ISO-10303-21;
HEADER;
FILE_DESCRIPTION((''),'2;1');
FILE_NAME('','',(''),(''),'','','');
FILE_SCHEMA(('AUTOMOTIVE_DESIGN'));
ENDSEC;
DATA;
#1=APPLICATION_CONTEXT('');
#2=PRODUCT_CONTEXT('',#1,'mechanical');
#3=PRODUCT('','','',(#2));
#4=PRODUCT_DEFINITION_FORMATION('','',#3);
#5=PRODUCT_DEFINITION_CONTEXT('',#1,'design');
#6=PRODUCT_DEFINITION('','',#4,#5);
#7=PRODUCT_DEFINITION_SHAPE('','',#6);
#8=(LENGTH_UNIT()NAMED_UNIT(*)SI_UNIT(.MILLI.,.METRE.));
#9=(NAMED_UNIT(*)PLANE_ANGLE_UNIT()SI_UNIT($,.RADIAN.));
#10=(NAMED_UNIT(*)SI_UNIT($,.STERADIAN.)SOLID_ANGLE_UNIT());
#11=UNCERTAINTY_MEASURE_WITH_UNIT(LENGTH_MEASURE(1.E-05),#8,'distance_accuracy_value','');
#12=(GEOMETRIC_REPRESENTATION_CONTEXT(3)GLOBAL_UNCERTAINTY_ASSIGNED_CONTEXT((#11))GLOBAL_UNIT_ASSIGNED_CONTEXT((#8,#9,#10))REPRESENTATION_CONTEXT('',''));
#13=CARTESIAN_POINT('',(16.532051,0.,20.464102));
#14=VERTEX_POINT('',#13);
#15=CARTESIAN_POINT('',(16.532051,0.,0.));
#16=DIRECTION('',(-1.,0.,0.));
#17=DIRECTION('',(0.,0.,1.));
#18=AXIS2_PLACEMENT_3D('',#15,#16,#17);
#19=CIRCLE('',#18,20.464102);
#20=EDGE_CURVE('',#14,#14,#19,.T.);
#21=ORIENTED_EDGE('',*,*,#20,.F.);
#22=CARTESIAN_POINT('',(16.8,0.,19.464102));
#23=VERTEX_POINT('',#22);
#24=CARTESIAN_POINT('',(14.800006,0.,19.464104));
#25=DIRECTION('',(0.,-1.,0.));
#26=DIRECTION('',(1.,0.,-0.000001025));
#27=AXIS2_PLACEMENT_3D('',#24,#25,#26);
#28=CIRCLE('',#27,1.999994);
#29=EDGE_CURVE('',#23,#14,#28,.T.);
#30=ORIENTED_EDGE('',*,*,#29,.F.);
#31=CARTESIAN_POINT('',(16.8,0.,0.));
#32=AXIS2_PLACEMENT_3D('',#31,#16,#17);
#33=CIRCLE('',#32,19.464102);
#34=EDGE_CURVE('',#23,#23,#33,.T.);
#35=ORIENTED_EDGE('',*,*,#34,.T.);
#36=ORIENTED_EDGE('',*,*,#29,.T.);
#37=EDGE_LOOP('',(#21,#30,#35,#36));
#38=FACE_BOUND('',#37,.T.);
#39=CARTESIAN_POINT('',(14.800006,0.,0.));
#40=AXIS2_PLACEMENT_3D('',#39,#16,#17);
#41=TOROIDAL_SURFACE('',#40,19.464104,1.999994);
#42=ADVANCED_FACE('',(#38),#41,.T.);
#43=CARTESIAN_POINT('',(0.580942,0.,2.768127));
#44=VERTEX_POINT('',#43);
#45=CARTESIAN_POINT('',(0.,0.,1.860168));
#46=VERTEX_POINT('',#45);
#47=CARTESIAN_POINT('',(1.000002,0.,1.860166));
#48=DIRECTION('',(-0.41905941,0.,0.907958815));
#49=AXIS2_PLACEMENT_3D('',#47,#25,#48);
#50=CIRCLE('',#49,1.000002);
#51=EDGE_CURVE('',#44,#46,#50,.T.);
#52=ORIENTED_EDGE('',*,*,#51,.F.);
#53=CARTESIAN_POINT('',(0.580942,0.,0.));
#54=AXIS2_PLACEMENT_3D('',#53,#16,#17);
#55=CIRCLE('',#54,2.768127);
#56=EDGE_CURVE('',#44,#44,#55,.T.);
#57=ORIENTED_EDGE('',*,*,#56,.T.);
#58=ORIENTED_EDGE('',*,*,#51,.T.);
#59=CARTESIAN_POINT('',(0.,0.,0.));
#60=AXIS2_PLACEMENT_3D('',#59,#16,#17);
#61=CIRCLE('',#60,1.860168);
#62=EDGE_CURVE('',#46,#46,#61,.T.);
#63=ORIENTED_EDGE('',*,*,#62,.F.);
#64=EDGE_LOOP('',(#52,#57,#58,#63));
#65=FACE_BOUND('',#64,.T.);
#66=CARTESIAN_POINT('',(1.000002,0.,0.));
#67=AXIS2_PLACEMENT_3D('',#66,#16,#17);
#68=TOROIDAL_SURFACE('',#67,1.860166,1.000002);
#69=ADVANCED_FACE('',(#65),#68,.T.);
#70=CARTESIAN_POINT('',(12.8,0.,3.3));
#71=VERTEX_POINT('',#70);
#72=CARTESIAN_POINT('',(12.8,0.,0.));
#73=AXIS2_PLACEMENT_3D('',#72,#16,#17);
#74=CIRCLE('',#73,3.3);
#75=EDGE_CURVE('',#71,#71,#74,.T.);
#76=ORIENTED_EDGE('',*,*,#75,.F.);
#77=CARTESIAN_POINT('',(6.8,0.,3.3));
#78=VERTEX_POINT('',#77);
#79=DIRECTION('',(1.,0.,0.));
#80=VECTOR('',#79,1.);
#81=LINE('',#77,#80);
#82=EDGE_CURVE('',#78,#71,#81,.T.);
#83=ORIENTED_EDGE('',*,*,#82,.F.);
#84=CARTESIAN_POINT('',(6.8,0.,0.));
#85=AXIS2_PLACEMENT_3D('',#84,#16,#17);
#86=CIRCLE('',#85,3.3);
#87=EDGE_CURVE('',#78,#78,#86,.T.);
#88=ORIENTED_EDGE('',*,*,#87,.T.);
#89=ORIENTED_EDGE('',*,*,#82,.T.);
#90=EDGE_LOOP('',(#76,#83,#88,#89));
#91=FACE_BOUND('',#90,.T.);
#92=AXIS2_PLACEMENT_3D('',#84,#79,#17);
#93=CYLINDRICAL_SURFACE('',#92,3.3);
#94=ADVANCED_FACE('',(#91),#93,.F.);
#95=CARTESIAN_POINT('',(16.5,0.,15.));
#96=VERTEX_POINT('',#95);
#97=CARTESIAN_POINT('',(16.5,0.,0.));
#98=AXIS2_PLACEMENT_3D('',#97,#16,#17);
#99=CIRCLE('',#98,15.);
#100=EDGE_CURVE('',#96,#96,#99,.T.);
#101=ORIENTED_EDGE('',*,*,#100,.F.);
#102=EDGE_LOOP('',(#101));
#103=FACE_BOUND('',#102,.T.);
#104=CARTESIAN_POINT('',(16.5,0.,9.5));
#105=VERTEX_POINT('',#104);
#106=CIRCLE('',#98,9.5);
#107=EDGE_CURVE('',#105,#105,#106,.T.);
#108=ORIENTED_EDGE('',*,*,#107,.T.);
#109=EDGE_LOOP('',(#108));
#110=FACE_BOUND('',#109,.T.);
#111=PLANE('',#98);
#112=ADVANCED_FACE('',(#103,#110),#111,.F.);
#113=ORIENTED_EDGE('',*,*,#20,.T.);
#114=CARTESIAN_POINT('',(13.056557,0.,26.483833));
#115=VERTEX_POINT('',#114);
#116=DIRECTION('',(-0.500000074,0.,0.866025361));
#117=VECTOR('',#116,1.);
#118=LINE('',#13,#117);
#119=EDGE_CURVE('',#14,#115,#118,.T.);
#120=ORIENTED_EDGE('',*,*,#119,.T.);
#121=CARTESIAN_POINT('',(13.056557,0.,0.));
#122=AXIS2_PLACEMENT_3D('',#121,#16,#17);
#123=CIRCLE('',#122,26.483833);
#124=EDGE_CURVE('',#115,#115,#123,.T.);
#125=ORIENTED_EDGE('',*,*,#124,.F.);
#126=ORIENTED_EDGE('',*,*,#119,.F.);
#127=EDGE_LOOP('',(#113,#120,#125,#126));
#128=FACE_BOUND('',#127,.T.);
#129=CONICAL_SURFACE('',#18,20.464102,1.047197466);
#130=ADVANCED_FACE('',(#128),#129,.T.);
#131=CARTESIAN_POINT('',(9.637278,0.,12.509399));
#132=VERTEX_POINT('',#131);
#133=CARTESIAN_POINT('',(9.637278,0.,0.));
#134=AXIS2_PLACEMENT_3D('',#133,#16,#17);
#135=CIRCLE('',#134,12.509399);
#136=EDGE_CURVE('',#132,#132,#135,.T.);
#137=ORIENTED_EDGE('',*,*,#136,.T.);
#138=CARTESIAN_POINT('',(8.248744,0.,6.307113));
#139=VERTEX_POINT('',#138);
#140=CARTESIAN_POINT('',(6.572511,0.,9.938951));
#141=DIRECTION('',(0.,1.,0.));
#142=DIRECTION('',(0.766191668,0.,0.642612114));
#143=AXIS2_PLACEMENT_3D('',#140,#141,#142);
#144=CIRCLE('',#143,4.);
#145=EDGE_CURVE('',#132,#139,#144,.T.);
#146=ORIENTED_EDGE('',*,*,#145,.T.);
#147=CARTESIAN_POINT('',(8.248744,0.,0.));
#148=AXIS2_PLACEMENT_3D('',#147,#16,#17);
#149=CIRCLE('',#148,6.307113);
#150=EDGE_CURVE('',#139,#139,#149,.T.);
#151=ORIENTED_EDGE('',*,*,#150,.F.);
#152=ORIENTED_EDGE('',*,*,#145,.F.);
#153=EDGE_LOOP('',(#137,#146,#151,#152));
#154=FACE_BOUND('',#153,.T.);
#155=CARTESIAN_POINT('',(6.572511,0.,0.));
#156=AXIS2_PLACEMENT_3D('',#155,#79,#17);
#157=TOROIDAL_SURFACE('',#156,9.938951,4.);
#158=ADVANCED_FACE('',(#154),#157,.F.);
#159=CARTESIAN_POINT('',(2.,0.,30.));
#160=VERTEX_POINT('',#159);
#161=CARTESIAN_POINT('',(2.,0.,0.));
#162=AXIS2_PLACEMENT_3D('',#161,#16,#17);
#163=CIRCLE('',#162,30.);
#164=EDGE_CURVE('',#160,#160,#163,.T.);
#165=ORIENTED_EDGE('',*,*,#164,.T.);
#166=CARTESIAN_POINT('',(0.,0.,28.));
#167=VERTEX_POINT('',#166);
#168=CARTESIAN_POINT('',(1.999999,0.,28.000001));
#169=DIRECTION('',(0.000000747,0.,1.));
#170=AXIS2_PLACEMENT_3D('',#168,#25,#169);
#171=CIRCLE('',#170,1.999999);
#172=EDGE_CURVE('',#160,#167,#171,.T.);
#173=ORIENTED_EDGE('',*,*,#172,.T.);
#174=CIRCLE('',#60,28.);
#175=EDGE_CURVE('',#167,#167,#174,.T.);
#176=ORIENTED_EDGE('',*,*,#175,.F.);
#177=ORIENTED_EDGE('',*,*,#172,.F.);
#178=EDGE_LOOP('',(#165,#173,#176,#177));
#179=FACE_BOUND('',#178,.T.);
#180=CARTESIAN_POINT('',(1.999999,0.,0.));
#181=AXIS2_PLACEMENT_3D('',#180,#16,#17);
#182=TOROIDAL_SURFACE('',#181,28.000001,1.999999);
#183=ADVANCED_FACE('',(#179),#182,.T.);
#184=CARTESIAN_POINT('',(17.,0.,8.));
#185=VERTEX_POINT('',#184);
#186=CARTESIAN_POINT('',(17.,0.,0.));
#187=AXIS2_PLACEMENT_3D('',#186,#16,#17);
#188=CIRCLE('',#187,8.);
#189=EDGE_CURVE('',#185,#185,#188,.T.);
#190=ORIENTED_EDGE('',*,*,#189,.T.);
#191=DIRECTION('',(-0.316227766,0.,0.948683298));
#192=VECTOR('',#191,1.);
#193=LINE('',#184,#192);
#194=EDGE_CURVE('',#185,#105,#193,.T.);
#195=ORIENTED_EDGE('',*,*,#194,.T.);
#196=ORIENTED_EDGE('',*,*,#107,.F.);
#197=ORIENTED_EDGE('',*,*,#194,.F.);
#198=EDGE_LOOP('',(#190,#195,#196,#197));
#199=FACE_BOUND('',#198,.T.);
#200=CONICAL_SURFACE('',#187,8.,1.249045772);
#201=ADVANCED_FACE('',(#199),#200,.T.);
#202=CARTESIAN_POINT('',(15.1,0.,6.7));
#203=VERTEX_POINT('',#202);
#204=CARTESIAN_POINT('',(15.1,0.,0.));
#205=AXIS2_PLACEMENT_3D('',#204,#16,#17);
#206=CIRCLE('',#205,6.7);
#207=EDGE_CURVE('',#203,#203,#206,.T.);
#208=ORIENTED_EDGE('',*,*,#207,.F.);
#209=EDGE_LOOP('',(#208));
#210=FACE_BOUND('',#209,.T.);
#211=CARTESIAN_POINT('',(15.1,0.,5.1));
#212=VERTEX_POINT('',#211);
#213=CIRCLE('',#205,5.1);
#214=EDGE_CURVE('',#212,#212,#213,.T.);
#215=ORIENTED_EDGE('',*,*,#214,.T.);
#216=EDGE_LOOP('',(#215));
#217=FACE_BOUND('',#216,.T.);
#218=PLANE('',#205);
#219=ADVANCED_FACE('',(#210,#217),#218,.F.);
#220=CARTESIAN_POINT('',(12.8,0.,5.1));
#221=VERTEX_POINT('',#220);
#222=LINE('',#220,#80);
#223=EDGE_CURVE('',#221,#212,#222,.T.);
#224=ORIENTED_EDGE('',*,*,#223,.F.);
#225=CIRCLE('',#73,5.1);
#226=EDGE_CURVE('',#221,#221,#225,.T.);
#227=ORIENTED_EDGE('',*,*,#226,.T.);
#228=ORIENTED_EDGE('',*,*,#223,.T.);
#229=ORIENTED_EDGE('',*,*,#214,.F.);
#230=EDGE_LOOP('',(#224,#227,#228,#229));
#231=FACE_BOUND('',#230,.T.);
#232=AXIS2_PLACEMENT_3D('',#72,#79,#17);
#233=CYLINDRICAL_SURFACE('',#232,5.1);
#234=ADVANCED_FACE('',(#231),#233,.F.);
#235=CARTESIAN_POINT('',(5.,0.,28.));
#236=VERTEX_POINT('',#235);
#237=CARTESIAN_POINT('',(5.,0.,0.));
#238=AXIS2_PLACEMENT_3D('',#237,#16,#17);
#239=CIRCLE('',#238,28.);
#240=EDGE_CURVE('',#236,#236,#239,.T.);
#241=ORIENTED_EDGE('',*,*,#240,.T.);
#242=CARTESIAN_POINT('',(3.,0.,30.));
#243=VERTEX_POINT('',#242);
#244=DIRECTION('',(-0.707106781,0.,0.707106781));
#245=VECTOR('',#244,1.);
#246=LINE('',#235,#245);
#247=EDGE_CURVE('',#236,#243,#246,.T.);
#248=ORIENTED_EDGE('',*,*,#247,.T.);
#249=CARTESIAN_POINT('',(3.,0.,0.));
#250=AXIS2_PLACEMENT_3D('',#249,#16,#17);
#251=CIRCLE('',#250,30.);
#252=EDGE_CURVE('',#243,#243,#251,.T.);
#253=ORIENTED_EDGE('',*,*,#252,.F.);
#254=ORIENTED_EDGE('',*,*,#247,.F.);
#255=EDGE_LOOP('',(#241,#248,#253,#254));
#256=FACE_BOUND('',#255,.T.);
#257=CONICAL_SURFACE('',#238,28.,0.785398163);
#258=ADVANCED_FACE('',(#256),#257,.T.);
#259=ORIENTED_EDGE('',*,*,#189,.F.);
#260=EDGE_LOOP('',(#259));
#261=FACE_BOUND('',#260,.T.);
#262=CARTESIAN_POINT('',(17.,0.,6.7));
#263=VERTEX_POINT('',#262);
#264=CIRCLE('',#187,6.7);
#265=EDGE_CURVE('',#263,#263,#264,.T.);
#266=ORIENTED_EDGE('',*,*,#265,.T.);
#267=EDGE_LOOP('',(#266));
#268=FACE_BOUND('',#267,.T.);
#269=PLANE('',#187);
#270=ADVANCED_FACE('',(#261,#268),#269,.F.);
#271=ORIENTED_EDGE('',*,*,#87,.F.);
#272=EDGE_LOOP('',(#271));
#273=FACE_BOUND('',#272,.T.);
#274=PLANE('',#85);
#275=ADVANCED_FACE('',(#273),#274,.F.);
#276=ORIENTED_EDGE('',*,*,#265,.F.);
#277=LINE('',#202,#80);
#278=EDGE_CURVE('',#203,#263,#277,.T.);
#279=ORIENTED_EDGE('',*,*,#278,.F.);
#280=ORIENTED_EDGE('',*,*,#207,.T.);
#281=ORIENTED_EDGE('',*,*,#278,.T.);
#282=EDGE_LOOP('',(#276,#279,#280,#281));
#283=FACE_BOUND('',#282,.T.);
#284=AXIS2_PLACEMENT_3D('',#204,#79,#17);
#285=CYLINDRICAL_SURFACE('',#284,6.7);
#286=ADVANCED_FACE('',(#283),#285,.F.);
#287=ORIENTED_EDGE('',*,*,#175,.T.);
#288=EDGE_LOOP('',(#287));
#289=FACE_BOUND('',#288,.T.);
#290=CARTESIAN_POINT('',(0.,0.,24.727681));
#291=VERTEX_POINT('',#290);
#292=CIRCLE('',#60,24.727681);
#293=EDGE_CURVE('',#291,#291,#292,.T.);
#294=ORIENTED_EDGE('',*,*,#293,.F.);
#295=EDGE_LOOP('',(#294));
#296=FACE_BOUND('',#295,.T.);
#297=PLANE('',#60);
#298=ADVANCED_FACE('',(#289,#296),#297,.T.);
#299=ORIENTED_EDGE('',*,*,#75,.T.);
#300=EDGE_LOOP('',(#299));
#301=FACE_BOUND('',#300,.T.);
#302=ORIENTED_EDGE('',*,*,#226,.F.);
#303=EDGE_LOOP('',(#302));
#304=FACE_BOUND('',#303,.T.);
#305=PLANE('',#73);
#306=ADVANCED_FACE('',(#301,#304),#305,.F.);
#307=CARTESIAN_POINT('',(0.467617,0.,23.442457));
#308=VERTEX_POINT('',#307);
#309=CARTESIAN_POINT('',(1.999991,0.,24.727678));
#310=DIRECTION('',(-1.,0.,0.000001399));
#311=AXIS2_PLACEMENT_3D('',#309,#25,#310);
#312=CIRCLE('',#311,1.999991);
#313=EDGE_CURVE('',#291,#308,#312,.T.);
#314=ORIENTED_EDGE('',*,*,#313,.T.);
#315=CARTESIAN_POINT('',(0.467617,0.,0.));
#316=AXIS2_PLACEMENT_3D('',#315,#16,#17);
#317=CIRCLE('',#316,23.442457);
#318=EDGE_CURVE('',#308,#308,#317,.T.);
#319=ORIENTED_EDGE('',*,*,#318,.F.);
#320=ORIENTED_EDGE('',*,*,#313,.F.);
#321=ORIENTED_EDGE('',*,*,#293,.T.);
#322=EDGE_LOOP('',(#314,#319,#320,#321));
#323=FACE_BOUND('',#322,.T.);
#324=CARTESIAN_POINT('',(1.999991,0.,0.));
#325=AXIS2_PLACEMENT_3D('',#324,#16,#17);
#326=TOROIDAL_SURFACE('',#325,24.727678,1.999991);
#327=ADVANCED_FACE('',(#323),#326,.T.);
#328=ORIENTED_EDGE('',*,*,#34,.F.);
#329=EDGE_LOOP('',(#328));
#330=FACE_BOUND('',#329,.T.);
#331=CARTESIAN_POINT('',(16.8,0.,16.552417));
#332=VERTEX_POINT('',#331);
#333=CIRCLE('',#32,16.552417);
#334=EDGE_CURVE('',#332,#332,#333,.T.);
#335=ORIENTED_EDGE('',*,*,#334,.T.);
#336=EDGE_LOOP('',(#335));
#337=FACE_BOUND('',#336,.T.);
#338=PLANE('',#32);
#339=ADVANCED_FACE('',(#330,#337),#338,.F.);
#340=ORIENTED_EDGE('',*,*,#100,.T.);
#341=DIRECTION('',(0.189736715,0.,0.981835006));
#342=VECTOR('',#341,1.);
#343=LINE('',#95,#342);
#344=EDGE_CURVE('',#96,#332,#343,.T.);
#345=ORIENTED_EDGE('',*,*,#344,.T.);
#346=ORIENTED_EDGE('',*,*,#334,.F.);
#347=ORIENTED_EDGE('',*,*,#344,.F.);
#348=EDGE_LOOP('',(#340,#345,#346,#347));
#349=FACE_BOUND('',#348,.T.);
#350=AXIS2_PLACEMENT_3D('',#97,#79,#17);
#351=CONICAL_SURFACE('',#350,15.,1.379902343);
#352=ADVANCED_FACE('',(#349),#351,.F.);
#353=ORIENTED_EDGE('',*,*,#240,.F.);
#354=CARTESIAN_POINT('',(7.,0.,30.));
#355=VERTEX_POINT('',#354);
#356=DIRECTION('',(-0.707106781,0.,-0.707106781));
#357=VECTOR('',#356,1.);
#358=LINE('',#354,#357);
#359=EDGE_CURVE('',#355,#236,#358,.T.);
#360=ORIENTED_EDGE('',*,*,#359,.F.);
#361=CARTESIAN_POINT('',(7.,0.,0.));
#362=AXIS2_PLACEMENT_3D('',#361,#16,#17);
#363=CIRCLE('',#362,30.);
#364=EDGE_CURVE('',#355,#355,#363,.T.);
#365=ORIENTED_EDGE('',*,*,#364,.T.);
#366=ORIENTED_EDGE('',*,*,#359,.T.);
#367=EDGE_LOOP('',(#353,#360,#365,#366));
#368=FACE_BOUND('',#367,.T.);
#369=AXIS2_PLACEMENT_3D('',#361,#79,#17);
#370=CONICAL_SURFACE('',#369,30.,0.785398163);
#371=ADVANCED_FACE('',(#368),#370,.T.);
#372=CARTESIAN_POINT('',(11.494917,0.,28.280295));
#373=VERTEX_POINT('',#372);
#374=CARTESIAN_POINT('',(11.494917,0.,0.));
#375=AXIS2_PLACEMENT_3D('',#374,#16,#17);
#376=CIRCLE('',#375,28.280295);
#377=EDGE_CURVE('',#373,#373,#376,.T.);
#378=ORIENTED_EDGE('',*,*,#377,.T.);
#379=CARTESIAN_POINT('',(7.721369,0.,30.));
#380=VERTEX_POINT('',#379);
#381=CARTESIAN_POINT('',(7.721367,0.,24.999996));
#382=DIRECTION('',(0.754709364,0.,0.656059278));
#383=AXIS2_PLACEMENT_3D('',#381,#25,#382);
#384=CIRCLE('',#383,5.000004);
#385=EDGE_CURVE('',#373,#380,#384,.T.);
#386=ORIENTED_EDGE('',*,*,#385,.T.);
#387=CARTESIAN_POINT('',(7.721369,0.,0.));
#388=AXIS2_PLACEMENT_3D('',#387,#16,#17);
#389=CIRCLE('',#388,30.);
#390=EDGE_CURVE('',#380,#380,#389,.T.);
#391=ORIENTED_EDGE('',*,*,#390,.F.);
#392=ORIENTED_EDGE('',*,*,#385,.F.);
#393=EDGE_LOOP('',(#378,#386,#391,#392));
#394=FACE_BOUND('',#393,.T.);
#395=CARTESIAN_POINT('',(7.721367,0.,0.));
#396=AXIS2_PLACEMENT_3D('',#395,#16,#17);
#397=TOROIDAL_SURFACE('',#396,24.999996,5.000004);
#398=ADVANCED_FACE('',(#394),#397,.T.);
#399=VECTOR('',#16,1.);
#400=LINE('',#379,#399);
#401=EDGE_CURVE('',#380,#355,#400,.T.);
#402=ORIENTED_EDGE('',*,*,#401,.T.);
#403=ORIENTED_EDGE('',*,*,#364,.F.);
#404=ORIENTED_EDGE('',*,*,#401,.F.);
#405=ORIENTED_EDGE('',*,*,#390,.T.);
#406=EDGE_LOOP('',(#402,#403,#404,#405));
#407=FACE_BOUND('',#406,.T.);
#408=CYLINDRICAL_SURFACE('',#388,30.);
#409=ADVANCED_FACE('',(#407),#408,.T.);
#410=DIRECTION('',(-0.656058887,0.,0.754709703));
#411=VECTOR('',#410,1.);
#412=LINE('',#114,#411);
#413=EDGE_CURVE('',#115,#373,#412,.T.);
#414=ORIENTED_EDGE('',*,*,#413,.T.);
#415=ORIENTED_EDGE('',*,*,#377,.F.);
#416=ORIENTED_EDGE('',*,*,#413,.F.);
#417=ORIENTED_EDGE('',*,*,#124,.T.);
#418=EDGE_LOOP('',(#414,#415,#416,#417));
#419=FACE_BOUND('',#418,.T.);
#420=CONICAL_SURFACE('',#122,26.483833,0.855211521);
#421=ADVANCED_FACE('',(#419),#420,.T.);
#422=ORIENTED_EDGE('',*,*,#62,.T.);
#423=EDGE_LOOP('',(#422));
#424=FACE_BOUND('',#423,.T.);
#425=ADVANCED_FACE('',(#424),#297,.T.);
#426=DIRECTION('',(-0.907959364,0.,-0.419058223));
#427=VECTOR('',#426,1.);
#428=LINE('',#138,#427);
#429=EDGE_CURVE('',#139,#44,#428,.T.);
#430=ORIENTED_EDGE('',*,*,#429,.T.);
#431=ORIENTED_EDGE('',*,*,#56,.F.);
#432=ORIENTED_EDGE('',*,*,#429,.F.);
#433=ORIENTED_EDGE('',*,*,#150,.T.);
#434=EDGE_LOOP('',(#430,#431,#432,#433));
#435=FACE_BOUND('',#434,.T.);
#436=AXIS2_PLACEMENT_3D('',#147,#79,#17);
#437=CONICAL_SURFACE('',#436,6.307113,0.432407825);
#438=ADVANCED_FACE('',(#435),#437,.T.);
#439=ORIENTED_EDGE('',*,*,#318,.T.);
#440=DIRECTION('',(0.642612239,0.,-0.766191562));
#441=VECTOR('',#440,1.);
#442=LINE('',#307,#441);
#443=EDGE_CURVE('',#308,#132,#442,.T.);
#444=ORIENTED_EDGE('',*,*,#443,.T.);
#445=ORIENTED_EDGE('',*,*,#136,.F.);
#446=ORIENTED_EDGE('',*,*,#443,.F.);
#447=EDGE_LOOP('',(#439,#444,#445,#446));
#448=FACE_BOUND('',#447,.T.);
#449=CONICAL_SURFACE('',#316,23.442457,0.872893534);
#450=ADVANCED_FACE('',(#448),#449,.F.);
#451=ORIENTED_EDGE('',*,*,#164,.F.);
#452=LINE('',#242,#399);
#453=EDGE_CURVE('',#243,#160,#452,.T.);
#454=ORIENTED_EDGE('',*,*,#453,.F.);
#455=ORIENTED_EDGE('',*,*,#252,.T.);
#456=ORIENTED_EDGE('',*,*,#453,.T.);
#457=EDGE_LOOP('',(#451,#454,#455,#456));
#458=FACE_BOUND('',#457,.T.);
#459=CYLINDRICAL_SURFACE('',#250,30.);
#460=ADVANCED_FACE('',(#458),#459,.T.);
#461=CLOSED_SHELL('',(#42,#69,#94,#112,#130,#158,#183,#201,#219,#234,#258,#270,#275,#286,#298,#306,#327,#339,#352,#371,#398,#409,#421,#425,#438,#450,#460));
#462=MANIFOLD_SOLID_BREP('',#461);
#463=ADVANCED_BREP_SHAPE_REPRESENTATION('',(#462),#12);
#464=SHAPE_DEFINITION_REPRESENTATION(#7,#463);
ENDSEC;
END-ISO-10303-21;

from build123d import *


with BuildPart() as f1:
    # F0 (on Front) → F1 (revolve)
    with BuildSketch(Plane.XZ):
        with BuildLine():
            Line((3, 30), (2, 30))
            ThreePointArc((2, 30), (0.585786, 29.414214), (0, 28))
            Line((0, 28), (0, 24.727681))
            ThreePointArc((0, 24.727681), (0.120536, 24.043856), (0.467617, 23.442457))
            Line((0.467617, 23.442457), (9.637278, 12.509399))
            ThreePointArc((9.637278, 12.509399), (10.475889, 9.065084), (8.248744, 6.307113))
            Line((8.248744, 6.307113), (0.580942, 2.768127))
            ThreePointArc((0.580942, 2.768127), (0.157665, 2.399121), (0, 1.860168))
            Line((0, 1.860168), (0, 0))
            Line((0, 0), (6.8, 0))
            Line((6.8, 0), (6.8, 3.3))
            Line((6.8, 3.3), (12.8, 3.3))
            Line((12.8, 3.3), (12.8, 5.1))
            Line((12.8, 5.1), (15.1, 5.1))
            Line((15.1, 5.1), (15.1, 6.7))
            Line((15.1, 6.7), (17, 6.7))
            Line((17, 6.7), (17, 8))
            Line((17, 8), (16.5, 9.5))
            Line((16.5, 9.5), (16.5, 15))
            Line((16.5, 15), (16.8, 16.552417))
            Line((16.8, 16.552417), (16.8, 19.464102))
            ThreePointArc((16.8, 19.464102), (16.731852, 19.98174), (16.532051, 20.464102))
            Line((16.532051, 20.464102), (13.056557, 26.483833))
            Line((13.056557, 26.483833), (11.494917, 28.280295))
            ThreePointArc((11.494917, 28.280295), (9.794835, 29.549806), (7.721369, 30))
            Line((7.721369, 30), (7, 30))
            Line((7, 30), (5, 28))
            Line((5, 28), (3, 30))
        make_face()
    revolve(axis=Axis((3.4, 0, 0), (-1, 0, 0)))


solid = f1.part
